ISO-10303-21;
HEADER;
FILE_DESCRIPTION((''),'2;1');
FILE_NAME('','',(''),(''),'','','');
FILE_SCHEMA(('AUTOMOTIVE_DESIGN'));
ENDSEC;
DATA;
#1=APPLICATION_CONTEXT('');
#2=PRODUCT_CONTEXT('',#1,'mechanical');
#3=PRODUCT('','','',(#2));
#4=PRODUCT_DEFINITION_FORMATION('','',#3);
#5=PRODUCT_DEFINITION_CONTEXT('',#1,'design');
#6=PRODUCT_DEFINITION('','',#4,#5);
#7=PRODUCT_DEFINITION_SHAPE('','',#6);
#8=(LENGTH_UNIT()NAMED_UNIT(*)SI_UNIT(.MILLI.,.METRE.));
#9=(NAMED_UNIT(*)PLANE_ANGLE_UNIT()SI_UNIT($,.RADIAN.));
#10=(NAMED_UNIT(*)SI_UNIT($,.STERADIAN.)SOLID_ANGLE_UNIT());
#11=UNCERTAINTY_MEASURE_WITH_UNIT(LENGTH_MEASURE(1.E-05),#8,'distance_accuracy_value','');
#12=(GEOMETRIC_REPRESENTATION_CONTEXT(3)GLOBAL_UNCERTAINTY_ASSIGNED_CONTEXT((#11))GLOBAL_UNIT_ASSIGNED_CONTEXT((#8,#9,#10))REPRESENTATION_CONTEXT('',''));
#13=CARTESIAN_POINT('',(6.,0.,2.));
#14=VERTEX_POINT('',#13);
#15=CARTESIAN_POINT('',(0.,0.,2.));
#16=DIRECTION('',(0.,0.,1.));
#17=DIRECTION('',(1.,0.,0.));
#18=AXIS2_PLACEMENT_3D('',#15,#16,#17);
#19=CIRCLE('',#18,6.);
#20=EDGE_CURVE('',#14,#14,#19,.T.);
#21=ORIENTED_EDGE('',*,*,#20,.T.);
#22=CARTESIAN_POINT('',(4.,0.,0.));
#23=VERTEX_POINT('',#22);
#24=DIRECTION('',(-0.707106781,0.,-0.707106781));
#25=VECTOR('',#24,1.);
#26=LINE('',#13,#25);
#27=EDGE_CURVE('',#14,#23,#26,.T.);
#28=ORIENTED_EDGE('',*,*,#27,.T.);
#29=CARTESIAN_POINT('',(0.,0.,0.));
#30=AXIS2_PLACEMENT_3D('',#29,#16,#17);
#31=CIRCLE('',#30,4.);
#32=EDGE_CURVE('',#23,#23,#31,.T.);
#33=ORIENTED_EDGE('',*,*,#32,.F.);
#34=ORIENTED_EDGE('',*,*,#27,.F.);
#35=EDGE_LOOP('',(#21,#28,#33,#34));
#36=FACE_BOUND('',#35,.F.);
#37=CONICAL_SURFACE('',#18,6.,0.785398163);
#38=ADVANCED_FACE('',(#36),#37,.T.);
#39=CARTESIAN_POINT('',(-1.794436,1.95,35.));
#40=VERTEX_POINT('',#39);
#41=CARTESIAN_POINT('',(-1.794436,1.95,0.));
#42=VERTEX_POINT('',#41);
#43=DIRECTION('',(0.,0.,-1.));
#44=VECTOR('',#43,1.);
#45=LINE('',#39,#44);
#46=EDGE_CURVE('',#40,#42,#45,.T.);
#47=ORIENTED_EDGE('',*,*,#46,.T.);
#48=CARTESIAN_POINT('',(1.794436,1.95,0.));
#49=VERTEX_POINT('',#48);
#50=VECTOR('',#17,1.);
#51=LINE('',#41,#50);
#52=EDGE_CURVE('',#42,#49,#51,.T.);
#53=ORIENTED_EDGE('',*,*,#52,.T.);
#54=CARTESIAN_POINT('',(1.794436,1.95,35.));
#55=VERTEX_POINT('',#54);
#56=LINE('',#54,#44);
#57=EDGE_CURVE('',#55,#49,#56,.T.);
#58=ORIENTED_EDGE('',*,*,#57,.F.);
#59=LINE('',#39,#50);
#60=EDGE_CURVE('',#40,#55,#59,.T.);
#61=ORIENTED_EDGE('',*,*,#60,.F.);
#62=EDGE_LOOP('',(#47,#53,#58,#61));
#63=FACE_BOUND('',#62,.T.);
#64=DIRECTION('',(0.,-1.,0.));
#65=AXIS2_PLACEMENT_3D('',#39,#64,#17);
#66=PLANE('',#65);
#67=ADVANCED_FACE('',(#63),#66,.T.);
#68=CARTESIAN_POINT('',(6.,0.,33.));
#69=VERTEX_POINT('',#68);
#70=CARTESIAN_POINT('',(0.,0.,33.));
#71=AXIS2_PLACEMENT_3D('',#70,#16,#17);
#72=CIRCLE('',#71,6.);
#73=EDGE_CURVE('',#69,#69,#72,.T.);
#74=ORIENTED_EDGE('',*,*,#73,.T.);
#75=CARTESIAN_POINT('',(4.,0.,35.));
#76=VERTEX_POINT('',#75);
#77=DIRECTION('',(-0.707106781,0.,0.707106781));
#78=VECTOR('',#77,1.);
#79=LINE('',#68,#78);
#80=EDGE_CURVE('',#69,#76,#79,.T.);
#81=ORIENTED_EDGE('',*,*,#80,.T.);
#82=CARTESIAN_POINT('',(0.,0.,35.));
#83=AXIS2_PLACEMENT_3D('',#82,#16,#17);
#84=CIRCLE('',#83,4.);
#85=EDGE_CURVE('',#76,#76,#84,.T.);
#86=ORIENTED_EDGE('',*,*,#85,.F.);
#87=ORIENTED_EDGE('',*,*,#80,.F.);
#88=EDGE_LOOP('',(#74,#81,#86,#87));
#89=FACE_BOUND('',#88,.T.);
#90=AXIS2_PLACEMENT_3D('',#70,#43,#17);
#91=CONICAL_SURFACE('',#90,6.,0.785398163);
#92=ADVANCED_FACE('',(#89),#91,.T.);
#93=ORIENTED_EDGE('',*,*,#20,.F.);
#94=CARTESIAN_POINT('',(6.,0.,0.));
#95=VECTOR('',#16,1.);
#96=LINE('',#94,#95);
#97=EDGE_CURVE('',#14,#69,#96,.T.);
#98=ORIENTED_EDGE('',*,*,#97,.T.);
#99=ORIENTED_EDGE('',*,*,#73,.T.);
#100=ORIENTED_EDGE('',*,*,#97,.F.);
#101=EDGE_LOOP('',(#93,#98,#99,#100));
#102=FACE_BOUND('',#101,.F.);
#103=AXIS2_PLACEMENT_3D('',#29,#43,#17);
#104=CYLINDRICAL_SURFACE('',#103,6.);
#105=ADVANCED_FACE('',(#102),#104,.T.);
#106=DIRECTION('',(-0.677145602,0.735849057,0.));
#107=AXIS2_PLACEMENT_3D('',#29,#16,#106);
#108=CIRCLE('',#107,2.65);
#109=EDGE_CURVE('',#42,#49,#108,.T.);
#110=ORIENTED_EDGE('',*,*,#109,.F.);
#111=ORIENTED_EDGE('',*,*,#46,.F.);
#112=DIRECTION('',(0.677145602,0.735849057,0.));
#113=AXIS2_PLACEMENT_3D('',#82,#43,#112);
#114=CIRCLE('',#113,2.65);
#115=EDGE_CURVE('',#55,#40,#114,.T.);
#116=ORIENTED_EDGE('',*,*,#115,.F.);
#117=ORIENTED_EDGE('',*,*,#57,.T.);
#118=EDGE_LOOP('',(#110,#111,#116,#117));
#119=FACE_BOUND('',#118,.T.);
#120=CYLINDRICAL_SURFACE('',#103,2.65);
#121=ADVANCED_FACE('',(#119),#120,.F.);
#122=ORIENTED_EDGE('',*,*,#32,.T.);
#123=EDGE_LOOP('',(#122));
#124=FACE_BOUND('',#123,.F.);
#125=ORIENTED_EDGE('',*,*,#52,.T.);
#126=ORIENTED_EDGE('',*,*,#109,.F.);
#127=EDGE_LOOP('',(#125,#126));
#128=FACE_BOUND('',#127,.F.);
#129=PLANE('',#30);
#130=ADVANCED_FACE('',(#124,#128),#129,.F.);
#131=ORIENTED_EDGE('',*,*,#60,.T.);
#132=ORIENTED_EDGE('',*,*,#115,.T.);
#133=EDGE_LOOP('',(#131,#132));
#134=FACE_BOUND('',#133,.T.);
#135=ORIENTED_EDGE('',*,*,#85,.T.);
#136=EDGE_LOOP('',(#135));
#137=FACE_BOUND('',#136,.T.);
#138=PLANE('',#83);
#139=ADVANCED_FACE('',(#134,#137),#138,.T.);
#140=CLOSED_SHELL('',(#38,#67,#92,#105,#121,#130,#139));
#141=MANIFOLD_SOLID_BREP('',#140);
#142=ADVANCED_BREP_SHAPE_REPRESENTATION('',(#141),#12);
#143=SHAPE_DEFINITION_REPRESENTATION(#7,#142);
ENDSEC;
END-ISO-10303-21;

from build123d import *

# Parameters (mm, degrees)
SKETCH1_R           = 6
SKETCH1_R_2         = 2.65
BOSS_EXTRUDE1_DEPTH = 35
BOSS_EXTRUDE2_DEPTH = 35
CHAMFER1_SIZE       = 2


with BuildPart() as part:
    # Sketch1 → Boss-Extrude1 (new body)
    with BuildSketch(Plane.XY):
        Circle(SKETCH1_R)
        Circle(SKETCH1_R_2, mode=Mode.SUBTRACT)
    extrude(amount=BOSS_EXTRUDE1_DEPTH)

    # Sketch2 → Boss-Extrude2 (add)
    with BuildSketch(Plane.XY.offset(35)):
        with BuildLine():
            ThreePointArc((1.794435844, 1.95), (0, 2.65), (-1.794435844, 1.95))
            Line((-1.794435844, 1.95), (1.794435844, 1.95))
        make_face()
    extrude(amount=-BOSS_EXTRUDE2_DEPTH)

    # Chamfer1
    chamfer1_edges = [part.edges().sort_by_distance(p)[0] for p in [
        (-6, 0, 0),
        (-6, 0, 35),
    ]]
    chamfer(chamfer1_edges, length=CHAMFER1_SIZE)


solid = part.part
